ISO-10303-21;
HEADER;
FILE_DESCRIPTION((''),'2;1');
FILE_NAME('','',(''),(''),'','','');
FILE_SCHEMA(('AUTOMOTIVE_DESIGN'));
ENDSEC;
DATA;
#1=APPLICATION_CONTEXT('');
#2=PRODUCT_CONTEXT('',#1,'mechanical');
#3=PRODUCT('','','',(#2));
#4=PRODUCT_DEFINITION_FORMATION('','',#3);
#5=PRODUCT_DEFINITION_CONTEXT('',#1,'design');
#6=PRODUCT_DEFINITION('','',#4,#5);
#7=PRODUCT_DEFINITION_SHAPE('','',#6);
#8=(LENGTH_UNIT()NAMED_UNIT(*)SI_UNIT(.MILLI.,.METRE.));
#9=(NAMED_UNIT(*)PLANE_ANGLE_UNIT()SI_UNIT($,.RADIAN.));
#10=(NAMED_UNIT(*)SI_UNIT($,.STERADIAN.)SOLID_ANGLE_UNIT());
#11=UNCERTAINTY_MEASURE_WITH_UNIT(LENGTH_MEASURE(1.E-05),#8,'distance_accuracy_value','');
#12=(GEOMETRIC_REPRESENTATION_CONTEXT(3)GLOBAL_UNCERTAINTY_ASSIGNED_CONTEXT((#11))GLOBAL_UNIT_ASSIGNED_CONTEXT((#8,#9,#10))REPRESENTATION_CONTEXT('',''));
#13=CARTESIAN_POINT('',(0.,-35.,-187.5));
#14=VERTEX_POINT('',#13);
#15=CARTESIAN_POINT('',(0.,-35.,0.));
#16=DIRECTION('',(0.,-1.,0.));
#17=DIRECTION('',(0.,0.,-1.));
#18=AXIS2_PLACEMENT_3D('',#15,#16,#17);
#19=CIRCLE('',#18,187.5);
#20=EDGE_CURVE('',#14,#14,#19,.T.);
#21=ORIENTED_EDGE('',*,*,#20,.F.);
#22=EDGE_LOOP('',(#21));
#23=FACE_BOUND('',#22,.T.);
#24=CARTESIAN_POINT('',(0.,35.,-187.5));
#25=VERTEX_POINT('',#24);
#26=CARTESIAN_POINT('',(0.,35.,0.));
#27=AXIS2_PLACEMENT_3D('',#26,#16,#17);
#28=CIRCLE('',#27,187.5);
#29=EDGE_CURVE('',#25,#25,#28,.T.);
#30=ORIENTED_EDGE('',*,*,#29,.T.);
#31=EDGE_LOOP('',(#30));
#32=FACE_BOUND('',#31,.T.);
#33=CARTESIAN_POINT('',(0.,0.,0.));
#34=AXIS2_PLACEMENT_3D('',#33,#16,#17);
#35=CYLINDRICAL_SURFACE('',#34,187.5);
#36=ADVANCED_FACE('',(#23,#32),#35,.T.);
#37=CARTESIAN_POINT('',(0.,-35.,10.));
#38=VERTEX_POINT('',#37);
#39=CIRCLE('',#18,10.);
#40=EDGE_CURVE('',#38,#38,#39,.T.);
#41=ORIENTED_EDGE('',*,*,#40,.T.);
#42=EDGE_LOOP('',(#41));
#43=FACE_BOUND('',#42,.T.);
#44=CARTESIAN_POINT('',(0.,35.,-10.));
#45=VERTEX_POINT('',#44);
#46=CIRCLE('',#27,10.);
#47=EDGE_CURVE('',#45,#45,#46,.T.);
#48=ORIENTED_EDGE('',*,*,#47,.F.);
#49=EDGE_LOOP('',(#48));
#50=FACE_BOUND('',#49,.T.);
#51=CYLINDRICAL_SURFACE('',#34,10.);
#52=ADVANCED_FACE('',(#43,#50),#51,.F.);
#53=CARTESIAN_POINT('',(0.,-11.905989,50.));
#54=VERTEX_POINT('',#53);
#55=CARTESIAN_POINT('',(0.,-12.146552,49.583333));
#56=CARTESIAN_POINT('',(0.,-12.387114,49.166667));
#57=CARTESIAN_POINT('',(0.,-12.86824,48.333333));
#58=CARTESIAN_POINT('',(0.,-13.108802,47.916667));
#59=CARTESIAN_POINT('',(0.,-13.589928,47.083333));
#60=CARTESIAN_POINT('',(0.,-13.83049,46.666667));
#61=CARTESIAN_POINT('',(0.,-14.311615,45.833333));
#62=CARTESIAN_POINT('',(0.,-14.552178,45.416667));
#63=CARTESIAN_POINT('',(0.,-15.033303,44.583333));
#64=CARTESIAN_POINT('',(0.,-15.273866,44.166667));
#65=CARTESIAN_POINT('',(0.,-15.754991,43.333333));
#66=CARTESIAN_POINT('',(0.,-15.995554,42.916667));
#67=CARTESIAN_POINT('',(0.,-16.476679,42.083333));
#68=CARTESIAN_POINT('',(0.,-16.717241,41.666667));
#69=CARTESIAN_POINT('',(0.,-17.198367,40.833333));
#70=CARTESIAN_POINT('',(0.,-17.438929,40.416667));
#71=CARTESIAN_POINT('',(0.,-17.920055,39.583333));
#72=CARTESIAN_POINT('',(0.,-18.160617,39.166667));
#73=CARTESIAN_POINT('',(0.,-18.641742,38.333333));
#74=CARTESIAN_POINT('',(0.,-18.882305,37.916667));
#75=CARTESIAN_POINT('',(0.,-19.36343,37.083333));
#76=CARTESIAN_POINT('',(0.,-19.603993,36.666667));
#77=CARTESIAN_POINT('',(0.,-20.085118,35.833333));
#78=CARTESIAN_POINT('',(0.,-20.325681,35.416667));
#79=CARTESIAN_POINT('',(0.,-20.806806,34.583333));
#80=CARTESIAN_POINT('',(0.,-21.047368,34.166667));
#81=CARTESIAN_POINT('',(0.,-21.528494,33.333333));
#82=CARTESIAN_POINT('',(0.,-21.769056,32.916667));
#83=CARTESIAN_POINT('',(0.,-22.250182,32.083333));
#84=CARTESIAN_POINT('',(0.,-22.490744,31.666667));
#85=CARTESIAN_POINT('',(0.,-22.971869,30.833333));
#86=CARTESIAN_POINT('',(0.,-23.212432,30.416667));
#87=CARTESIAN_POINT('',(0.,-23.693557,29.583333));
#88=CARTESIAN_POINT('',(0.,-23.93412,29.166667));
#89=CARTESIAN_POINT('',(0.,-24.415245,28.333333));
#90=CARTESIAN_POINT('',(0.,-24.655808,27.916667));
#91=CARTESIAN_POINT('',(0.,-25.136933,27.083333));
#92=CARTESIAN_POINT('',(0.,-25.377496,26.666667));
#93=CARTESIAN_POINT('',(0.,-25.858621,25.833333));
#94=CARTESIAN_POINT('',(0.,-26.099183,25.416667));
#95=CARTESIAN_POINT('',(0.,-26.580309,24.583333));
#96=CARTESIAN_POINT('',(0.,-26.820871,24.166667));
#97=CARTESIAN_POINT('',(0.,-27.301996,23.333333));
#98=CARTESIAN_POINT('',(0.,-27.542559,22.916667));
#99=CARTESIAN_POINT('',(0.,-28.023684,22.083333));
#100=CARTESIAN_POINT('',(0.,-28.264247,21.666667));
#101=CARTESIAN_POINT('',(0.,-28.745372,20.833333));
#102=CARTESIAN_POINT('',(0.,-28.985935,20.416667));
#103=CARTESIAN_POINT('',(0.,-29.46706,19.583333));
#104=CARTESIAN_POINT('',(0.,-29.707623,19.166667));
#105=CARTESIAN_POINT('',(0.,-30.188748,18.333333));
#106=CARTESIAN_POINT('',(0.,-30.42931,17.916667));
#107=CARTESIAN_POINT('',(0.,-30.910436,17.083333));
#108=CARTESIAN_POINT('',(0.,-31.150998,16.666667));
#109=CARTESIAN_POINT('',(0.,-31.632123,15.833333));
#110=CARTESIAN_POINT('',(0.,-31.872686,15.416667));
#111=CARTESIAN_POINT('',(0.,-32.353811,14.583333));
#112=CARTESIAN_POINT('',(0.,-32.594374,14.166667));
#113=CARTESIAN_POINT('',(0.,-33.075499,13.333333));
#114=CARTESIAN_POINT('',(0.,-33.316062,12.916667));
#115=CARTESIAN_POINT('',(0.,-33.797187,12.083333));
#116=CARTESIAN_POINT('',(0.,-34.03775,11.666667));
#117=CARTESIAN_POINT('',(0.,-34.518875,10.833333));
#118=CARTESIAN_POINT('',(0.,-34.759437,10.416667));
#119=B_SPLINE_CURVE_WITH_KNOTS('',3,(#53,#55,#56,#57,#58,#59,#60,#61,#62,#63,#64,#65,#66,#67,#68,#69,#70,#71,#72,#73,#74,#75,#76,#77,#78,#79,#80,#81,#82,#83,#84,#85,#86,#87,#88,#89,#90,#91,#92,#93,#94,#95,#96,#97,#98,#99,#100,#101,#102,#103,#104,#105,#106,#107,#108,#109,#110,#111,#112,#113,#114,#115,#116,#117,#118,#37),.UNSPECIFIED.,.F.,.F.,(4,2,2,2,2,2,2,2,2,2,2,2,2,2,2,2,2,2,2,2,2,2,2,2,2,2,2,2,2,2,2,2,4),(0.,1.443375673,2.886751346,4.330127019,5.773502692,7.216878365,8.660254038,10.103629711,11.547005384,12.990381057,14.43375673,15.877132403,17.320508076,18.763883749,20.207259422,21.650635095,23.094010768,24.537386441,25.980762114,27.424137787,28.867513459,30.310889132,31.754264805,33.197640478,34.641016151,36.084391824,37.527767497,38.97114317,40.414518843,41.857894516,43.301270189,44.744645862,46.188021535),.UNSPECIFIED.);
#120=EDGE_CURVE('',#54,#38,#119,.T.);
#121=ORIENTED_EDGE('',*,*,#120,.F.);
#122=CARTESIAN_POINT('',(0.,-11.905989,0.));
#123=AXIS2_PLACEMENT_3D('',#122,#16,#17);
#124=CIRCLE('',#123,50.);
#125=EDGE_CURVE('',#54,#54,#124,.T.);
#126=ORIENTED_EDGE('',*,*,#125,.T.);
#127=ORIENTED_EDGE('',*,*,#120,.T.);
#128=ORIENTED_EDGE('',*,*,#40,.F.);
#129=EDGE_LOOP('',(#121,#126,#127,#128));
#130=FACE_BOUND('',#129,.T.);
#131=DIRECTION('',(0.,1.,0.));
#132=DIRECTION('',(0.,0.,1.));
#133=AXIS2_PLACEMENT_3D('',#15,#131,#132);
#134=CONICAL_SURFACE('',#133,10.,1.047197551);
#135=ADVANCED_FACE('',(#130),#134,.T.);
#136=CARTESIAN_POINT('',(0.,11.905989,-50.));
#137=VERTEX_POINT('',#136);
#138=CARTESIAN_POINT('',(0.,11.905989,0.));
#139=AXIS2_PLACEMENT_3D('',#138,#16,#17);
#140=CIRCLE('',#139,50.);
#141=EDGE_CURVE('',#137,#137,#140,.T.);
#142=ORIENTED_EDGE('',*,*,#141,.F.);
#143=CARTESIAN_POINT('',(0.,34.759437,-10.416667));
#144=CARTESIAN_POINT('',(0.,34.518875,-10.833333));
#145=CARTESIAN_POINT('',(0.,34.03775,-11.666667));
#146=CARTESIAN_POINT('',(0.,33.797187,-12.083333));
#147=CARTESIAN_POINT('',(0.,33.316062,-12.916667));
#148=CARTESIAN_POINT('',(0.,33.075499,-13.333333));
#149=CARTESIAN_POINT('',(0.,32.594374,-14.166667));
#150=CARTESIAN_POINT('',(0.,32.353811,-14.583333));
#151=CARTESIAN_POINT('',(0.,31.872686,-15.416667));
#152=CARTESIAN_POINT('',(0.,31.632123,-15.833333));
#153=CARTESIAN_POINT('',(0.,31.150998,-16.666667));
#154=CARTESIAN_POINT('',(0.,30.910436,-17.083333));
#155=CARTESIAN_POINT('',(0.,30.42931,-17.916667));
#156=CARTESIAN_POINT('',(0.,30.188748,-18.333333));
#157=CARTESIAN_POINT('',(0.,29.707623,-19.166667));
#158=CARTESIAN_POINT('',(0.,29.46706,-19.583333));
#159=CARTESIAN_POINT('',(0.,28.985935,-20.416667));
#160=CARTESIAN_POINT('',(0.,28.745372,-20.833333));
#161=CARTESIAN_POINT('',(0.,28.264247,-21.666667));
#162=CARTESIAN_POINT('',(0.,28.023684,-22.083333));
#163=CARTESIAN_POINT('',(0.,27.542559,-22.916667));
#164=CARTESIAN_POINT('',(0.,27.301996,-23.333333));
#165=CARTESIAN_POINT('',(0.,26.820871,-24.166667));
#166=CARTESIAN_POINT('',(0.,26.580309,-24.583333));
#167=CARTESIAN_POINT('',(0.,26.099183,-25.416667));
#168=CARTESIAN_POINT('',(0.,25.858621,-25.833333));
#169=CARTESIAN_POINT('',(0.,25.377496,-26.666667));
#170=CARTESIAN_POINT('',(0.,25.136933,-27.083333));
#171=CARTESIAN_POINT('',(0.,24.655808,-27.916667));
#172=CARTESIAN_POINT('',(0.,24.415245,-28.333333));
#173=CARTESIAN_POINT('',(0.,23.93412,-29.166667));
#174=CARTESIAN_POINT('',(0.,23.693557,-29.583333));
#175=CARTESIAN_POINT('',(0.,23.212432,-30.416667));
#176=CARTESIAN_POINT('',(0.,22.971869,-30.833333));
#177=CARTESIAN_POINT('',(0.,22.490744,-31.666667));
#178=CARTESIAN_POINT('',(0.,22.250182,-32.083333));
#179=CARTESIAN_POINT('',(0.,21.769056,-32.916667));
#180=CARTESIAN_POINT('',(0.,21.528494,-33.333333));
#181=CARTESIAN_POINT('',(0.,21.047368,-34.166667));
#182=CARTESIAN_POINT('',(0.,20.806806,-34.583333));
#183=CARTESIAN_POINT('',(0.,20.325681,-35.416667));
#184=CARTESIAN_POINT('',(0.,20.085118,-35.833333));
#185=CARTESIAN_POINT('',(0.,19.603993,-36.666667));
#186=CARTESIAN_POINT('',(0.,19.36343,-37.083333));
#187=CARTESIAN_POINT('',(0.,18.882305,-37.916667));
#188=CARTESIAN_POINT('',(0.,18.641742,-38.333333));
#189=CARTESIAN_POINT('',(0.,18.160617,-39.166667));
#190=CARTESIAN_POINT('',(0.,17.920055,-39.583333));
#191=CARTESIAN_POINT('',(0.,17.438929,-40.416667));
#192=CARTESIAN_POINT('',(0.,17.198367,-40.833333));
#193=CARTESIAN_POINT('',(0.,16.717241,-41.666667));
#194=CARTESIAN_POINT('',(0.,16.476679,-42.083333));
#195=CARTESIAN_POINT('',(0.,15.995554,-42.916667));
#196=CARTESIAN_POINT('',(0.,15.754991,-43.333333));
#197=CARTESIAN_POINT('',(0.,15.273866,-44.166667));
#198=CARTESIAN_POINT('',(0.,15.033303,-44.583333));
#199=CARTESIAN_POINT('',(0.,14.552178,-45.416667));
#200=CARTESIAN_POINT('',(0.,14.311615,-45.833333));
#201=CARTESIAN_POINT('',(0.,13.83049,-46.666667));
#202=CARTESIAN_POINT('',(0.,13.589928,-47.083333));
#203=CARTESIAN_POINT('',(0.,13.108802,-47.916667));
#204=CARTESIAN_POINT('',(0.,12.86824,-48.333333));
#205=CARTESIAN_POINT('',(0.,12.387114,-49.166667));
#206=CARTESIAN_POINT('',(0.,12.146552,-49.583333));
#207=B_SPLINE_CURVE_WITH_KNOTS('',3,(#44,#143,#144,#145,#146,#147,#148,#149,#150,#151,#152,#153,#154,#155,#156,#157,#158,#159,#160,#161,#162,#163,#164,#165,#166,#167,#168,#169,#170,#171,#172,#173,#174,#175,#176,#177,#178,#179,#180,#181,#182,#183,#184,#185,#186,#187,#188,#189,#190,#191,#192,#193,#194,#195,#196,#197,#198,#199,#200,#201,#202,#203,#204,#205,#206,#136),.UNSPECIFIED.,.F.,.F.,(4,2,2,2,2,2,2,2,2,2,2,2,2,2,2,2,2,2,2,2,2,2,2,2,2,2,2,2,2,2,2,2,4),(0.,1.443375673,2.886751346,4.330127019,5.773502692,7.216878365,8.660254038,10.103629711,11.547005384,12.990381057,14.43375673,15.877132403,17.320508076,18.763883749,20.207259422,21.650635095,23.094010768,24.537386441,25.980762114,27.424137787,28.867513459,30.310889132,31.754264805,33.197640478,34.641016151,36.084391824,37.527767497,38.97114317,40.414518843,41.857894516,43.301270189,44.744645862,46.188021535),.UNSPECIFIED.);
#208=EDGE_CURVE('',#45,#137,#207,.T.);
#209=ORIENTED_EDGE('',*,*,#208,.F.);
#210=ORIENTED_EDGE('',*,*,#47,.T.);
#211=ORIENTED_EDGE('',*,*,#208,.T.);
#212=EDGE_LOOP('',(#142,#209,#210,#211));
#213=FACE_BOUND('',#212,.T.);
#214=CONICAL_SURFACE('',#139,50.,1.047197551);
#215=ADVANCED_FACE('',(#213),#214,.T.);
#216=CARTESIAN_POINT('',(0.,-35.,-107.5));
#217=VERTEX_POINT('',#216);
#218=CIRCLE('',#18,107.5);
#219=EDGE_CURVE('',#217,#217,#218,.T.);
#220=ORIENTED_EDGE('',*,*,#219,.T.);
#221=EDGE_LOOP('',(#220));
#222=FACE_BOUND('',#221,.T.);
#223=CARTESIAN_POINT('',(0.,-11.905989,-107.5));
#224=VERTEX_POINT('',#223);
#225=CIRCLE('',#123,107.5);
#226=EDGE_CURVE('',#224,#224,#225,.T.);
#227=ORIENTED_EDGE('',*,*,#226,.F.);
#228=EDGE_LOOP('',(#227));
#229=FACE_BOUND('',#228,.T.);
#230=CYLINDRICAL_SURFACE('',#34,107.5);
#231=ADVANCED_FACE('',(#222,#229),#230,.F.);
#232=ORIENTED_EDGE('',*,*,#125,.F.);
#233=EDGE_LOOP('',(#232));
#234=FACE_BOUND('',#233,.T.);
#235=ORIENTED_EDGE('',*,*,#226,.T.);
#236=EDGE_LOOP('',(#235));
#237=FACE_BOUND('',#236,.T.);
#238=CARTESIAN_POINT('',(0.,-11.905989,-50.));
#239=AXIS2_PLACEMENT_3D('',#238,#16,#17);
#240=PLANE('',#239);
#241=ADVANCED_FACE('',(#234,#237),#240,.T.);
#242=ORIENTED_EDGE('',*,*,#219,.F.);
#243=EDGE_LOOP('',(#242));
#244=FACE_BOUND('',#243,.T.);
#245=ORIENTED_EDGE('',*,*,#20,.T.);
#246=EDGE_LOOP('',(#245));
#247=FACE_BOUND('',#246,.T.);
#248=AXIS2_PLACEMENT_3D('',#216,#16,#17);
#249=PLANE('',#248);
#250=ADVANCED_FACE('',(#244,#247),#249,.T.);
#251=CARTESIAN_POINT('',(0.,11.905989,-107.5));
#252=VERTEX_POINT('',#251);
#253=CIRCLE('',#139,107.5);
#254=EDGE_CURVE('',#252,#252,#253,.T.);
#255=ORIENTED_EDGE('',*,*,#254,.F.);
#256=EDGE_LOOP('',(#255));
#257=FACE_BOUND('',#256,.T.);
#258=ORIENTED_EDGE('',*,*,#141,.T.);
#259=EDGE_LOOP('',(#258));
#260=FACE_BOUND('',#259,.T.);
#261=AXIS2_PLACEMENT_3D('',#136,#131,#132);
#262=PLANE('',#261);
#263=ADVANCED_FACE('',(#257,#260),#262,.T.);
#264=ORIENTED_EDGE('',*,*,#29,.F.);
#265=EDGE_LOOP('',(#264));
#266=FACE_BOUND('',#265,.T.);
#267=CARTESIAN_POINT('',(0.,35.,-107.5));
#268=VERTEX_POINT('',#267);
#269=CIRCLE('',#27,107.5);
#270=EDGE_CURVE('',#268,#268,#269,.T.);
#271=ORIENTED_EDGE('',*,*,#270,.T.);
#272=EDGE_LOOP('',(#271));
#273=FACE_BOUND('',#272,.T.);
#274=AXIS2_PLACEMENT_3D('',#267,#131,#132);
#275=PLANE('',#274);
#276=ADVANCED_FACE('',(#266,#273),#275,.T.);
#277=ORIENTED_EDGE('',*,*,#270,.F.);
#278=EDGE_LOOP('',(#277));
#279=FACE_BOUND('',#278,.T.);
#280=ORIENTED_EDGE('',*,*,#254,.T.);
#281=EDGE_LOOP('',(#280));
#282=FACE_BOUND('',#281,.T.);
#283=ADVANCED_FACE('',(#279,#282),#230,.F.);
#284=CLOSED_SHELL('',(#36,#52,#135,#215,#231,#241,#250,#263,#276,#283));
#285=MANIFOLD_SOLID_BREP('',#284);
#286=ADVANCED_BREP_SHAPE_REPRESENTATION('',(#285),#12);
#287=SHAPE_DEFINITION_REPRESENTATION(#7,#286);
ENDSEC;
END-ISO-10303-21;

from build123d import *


with BuildPart() as part:
    # 스케치1 → 회전1 (revolve)
    with BuildSketch(Plane(origin=(0, 0, 0), x_dir=(0, 0, -1), z_dir=(1, 0, 0))):
        Polygon((10, 35), (10, -35), (50, -11.905989232), (107.5, -11.905989232), (107.5, -35), (187.5, -35), (187.5, 35), (107.5, 35), (107.5, 11.905989232), (50, 11.905989232), align=None)
    revolve(axis=Axis((0, 0, 0), (0, 1, 0)))


solid = part.part
